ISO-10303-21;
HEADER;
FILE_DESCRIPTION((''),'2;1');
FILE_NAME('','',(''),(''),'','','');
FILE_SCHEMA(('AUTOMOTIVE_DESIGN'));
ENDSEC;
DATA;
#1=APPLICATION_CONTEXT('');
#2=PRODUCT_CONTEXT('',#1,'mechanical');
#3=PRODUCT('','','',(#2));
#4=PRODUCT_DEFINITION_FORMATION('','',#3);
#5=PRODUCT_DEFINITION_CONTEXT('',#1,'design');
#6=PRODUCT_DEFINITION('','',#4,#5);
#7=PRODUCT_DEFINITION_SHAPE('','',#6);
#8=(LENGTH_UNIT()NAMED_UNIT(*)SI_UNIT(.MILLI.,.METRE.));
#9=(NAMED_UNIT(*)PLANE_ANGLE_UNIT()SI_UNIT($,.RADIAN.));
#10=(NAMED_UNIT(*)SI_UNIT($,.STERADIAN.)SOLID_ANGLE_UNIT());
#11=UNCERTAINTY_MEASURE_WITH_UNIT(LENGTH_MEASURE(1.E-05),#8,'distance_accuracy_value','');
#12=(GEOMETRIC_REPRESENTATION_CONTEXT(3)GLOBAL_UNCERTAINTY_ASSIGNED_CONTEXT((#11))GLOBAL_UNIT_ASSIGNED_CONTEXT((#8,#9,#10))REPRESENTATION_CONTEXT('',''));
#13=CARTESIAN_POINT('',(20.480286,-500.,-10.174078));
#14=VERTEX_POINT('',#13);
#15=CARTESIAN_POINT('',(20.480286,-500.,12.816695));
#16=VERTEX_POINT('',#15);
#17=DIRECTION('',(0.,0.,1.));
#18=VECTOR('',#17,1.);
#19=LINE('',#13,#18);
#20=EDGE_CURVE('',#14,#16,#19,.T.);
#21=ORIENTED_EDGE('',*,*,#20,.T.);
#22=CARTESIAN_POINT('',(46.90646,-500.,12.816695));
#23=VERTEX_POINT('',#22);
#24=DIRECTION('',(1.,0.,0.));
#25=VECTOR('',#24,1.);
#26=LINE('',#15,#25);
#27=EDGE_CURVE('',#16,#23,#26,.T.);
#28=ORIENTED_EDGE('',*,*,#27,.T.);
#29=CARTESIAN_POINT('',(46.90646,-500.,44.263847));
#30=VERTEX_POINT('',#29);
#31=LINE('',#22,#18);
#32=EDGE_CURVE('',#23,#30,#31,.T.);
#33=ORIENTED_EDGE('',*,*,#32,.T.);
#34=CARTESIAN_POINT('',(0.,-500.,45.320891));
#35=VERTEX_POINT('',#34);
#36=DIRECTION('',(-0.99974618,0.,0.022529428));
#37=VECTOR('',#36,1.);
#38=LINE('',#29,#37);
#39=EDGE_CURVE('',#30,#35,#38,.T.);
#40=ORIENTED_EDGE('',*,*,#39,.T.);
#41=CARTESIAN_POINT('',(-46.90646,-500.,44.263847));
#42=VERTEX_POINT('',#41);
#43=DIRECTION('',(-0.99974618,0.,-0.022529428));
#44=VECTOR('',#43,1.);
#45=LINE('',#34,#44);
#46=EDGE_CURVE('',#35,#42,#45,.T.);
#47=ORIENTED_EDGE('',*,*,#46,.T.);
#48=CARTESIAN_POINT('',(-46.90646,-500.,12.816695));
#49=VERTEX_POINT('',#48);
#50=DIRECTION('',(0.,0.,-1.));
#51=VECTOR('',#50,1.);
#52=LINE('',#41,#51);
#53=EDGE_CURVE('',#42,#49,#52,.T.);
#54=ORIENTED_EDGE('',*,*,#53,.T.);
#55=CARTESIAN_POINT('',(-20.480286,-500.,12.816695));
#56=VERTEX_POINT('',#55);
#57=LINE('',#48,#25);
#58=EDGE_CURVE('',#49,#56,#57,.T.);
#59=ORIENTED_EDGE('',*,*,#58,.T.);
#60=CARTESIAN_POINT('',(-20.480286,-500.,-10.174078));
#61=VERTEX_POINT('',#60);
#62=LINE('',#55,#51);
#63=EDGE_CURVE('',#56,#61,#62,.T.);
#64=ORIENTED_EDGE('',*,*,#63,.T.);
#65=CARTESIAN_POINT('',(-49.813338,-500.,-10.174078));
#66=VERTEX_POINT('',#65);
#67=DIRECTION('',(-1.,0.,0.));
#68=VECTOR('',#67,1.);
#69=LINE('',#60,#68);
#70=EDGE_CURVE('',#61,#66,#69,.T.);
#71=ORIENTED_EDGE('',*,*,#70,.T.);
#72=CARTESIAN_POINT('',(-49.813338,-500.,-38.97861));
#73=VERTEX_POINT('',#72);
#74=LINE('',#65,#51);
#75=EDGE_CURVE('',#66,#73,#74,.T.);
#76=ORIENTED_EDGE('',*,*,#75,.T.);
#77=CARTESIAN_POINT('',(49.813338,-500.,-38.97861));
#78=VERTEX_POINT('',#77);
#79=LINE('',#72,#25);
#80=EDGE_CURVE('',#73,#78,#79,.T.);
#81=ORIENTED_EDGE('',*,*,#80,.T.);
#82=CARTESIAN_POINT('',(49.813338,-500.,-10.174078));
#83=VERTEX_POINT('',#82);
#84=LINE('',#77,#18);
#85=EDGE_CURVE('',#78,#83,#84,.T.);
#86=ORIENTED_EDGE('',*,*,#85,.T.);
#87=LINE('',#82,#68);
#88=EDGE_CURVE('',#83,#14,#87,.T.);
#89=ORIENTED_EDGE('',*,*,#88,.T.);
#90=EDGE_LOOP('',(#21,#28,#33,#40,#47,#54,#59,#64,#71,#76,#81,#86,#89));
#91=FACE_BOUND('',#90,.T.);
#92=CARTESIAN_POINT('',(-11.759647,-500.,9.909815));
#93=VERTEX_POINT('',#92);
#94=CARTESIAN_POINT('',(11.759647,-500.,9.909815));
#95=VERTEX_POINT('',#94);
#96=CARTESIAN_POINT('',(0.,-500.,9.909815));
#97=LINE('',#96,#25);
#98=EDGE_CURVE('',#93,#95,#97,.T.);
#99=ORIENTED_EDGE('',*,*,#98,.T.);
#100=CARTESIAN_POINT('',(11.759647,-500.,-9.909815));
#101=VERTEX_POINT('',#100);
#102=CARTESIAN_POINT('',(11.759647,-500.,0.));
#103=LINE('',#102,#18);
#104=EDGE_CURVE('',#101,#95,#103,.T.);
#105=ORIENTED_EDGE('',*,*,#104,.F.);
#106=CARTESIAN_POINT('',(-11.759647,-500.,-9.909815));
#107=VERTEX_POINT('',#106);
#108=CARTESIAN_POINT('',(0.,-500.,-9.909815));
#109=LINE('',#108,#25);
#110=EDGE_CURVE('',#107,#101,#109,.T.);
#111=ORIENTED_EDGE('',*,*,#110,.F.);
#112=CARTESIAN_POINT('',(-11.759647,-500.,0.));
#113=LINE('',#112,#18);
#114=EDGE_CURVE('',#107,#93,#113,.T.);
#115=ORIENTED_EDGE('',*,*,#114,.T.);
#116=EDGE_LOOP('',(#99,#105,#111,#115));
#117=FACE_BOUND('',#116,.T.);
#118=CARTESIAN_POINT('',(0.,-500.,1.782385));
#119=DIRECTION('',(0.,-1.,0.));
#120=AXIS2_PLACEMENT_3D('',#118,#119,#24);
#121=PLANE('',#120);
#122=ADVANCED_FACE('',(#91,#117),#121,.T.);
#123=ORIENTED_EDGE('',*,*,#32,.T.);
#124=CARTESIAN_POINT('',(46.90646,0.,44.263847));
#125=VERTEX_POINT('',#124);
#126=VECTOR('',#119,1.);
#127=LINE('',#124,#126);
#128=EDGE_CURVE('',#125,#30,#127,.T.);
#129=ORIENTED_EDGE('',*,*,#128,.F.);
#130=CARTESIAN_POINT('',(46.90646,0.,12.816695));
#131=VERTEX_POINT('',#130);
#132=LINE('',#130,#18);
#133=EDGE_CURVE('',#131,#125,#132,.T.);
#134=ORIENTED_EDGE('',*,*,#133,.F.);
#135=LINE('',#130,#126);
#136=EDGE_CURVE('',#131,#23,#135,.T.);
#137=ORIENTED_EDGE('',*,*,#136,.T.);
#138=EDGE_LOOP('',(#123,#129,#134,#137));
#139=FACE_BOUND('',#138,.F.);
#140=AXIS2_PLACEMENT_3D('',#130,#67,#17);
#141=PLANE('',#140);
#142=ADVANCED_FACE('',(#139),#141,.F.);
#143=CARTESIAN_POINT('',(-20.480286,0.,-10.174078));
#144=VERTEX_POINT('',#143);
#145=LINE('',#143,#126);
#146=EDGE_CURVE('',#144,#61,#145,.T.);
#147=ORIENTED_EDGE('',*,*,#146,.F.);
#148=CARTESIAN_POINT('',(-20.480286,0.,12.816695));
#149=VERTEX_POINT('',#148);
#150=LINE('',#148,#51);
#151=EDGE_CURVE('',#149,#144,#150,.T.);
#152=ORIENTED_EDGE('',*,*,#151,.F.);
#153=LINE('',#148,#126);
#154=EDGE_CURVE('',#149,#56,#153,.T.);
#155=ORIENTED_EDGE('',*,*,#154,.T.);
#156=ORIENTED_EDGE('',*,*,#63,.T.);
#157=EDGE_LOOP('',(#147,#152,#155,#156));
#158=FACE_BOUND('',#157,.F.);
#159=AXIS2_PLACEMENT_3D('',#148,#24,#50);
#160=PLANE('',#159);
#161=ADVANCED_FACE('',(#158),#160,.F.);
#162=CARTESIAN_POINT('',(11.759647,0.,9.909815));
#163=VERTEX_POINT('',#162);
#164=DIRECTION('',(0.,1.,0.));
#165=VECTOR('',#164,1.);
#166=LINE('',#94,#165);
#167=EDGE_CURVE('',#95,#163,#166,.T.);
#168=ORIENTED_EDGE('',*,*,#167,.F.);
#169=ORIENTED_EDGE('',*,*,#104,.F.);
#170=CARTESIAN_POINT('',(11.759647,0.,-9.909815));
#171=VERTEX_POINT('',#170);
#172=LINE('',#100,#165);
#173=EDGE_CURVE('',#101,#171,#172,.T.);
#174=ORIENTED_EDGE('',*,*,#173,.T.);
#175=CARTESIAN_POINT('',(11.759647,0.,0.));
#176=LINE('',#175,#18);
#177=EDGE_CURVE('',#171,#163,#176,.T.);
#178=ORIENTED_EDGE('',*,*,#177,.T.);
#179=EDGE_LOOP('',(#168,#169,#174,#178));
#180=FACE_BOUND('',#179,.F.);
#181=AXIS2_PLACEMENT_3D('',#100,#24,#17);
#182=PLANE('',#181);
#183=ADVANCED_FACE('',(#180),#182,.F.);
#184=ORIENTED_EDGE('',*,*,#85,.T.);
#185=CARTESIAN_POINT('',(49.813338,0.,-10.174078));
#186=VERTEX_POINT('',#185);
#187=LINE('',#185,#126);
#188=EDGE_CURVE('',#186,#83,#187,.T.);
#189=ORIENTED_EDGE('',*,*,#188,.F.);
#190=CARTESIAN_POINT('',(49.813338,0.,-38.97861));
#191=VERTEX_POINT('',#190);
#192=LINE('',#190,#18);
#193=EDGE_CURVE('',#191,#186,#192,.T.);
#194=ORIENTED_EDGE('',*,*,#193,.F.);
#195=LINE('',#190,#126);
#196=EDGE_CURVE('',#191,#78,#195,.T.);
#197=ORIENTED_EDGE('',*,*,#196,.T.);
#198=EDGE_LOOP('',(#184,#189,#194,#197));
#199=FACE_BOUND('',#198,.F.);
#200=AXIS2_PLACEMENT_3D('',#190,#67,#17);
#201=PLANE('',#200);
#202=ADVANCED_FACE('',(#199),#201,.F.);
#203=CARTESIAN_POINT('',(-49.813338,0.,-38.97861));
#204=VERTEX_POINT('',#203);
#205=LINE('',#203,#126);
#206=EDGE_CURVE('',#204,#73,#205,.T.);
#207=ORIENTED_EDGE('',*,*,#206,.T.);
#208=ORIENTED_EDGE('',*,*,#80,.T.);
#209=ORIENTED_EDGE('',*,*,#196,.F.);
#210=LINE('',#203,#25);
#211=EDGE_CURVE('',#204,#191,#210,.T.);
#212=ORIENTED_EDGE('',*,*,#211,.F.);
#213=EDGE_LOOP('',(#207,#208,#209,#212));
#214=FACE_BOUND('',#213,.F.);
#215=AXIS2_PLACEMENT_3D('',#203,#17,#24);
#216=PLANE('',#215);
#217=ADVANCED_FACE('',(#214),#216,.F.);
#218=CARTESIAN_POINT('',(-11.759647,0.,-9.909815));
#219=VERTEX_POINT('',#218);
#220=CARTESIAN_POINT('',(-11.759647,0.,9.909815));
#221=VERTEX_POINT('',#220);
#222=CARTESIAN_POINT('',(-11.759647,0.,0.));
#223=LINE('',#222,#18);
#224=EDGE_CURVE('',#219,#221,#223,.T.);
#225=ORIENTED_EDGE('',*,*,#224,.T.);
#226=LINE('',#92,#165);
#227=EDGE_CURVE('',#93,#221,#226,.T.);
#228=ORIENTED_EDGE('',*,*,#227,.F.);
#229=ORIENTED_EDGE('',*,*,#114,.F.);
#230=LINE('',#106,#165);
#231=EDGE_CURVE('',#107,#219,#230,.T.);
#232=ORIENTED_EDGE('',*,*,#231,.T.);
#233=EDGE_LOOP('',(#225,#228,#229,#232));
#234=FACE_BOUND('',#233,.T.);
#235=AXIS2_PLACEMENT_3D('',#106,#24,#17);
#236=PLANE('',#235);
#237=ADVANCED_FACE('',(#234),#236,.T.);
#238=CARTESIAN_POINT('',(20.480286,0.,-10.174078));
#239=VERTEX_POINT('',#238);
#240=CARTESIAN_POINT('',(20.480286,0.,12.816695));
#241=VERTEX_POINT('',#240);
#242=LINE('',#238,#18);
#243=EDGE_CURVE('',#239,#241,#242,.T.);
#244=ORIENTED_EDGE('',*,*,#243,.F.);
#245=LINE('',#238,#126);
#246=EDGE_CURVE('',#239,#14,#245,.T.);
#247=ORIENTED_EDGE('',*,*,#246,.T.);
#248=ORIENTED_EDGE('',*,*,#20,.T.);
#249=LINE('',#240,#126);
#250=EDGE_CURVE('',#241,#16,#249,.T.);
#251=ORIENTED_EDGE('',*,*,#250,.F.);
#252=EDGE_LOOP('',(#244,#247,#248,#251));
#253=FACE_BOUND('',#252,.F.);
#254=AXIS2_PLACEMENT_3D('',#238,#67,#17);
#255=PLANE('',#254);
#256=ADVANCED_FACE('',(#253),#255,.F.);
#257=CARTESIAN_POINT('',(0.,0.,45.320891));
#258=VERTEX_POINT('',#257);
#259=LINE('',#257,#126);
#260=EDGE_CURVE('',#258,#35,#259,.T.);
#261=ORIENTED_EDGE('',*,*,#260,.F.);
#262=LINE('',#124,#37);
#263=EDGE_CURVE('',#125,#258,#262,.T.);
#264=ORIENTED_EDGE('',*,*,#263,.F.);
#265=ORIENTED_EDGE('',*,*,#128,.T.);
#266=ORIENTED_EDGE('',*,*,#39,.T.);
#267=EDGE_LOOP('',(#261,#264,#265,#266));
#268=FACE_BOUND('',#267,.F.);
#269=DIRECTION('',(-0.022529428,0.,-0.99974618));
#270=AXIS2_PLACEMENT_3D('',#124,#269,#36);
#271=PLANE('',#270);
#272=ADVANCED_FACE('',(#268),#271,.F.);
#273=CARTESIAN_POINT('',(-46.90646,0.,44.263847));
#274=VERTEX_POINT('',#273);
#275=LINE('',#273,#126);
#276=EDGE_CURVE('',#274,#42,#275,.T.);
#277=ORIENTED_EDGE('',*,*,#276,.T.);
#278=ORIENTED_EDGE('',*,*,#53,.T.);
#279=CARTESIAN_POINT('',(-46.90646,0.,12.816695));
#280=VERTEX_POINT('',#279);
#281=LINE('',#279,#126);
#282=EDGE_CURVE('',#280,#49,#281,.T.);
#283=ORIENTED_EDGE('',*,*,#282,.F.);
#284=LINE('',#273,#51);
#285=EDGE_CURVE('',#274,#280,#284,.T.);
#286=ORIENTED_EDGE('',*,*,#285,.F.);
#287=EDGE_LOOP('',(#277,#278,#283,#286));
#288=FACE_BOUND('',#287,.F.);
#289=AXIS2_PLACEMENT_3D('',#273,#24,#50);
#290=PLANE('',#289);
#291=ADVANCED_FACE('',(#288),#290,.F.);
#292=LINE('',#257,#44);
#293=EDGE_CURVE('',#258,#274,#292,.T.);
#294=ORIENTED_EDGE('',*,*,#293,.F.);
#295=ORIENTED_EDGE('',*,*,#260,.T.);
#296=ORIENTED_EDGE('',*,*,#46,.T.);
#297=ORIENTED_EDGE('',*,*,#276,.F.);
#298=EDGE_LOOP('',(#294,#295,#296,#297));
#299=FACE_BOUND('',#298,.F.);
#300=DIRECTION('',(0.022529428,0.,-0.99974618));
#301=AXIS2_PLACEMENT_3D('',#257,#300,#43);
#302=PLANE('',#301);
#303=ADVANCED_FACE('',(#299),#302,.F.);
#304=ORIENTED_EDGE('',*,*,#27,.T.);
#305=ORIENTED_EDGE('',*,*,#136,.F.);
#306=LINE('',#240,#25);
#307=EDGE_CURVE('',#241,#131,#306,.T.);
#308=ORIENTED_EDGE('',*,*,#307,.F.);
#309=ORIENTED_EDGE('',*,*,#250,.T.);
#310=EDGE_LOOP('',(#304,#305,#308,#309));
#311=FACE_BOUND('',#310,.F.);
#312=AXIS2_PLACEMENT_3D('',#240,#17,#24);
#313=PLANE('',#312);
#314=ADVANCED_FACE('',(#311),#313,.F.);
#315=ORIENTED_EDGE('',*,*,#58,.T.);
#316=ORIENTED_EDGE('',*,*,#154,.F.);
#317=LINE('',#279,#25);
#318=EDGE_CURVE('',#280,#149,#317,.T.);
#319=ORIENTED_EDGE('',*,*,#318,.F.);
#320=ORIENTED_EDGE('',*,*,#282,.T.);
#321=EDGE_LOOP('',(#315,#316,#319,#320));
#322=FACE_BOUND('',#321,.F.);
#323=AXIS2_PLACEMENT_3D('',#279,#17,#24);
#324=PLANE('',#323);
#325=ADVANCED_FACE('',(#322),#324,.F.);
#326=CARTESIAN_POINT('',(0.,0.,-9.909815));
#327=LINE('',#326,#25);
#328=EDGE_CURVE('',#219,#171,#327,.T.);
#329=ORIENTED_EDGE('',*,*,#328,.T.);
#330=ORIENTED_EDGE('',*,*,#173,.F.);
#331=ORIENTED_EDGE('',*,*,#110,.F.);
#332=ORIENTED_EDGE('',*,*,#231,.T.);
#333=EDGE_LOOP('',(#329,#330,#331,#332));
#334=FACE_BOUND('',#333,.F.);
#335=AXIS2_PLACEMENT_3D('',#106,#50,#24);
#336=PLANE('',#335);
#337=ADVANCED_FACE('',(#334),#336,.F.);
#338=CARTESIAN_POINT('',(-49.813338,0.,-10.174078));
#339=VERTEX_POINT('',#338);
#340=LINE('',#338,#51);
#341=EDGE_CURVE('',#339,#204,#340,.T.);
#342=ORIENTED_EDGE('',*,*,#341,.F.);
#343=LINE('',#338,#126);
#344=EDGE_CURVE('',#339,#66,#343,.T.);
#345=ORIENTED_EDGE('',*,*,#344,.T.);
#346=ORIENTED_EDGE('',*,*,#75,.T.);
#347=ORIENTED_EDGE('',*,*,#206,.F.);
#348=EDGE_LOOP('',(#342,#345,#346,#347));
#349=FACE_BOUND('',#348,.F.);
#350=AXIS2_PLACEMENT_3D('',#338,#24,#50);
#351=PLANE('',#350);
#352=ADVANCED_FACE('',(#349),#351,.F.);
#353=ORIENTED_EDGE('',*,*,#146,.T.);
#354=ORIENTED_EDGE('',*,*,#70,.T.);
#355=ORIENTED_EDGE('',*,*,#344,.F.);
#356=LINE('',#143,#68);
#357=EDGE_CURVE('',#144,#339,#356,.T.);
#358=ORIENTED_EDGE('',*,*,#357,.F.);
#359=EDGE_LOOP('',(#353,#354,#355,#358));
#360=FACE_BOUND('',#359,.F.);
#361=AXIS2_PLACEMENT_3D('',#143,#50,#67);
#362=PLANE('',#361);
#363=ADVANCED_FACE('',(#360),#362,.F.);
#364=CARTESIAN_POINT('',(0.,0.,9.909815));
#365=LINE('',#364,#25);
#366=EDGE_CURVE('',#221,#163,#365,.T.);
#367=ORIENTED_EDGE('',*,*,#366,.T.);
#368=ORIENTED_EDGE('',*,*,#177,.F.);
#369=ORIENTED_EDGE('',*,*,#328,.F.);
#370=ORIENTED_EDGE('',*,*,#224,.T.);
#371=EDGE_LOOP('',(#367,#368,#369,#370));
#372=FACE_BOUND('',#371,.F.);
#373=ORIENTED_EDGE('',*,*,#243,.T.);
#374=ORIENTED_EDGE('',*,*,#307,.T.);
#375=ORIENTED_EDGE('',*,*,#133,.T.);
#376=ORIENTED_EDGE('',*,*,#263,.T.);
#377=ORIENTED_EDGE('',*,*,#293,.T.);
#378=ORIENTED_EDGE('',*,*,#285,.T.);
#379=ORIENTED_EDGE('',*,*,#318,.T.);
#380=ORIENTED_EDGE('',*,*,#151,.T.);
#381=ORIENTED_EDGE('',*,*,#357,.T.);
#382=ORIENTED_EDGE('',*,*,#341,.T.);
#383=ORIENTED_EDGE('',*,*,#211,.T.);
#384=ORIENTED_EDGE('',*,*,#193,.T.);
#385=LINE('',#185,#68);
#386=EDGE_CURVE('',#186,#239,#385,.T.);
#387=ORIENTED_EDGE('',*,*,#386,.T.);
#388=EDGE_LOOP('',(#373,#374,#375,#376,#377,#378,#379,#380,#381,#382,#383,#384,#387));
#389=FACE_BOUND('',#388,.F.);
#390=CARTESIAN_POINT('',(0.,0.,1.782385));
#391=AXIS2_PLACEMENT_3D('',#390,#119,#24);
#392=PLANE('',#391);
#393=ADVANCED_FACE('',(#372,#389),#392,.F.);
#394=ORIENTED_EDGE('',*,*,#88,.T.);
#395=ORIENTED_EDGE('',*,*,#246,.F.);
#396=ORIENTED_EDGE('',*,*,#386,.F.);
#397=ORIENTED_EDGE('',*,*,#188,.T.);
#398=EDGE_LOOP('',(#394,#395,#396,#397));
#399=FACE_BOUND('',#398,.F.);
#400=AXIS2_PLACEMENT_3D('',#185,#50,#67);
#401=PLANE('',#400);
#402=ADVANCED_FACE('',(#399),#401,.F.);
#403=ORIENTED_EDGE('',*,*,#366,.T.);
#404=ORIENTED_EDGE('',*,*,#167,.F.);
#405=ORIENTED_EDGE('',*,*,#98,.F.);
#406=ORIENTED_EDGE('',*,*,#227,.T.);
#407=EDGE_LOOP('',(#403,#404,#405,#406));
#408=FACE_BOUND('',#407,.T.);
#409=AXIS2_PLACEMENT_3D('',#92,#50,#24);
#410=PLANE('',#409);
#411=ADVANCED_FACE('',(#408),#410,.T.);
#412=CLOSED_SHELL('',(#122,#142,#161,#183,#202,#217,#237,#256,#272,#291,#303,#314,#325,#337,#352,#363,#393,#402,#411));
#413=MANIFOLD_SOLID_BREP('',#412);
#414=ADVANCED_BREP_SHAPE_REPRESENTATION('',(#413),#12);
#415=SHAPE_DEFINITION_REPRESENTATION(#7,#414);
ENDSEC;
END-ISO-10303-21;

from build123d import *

# Parameters (mm, degrees)
F1_DEPTH = 500
F2_W     = 23.519294
F2_H     = 19.81963
F3_DEPTH = 500


with BuildPart() as f1:
    # F0 (on Front) → F1 (new body)
    with BuildSketch(Plane.XZ):
        Polygon((-49.813338, -38.97861), (0, -38.97861), (49.813338, -38.97861), (49.813338, -10.174078), (20.480286, -10.174078), (20.480286, 12.816695), (46.90646, 12.816695), (46.90646, 44.263847), (0, 45.320891), (-46.90646, 44.263847), (-46.90646, 12.816695), (-20.480286, 12.816695), (-20.480286, -10.174078), (-49.813338, -10.174078), align=None)
    extrude(amount=F1_DEPTH)

    # F2 (on face) → F3 (cut)
    with BuildSketch(Plane.XZ.offset(500)):
        Rectangle(F2_W, F2_H)
    extrude(amount=-F3_DEPTH, mode=Mode.SUBTRACT)


solid = f1.part
